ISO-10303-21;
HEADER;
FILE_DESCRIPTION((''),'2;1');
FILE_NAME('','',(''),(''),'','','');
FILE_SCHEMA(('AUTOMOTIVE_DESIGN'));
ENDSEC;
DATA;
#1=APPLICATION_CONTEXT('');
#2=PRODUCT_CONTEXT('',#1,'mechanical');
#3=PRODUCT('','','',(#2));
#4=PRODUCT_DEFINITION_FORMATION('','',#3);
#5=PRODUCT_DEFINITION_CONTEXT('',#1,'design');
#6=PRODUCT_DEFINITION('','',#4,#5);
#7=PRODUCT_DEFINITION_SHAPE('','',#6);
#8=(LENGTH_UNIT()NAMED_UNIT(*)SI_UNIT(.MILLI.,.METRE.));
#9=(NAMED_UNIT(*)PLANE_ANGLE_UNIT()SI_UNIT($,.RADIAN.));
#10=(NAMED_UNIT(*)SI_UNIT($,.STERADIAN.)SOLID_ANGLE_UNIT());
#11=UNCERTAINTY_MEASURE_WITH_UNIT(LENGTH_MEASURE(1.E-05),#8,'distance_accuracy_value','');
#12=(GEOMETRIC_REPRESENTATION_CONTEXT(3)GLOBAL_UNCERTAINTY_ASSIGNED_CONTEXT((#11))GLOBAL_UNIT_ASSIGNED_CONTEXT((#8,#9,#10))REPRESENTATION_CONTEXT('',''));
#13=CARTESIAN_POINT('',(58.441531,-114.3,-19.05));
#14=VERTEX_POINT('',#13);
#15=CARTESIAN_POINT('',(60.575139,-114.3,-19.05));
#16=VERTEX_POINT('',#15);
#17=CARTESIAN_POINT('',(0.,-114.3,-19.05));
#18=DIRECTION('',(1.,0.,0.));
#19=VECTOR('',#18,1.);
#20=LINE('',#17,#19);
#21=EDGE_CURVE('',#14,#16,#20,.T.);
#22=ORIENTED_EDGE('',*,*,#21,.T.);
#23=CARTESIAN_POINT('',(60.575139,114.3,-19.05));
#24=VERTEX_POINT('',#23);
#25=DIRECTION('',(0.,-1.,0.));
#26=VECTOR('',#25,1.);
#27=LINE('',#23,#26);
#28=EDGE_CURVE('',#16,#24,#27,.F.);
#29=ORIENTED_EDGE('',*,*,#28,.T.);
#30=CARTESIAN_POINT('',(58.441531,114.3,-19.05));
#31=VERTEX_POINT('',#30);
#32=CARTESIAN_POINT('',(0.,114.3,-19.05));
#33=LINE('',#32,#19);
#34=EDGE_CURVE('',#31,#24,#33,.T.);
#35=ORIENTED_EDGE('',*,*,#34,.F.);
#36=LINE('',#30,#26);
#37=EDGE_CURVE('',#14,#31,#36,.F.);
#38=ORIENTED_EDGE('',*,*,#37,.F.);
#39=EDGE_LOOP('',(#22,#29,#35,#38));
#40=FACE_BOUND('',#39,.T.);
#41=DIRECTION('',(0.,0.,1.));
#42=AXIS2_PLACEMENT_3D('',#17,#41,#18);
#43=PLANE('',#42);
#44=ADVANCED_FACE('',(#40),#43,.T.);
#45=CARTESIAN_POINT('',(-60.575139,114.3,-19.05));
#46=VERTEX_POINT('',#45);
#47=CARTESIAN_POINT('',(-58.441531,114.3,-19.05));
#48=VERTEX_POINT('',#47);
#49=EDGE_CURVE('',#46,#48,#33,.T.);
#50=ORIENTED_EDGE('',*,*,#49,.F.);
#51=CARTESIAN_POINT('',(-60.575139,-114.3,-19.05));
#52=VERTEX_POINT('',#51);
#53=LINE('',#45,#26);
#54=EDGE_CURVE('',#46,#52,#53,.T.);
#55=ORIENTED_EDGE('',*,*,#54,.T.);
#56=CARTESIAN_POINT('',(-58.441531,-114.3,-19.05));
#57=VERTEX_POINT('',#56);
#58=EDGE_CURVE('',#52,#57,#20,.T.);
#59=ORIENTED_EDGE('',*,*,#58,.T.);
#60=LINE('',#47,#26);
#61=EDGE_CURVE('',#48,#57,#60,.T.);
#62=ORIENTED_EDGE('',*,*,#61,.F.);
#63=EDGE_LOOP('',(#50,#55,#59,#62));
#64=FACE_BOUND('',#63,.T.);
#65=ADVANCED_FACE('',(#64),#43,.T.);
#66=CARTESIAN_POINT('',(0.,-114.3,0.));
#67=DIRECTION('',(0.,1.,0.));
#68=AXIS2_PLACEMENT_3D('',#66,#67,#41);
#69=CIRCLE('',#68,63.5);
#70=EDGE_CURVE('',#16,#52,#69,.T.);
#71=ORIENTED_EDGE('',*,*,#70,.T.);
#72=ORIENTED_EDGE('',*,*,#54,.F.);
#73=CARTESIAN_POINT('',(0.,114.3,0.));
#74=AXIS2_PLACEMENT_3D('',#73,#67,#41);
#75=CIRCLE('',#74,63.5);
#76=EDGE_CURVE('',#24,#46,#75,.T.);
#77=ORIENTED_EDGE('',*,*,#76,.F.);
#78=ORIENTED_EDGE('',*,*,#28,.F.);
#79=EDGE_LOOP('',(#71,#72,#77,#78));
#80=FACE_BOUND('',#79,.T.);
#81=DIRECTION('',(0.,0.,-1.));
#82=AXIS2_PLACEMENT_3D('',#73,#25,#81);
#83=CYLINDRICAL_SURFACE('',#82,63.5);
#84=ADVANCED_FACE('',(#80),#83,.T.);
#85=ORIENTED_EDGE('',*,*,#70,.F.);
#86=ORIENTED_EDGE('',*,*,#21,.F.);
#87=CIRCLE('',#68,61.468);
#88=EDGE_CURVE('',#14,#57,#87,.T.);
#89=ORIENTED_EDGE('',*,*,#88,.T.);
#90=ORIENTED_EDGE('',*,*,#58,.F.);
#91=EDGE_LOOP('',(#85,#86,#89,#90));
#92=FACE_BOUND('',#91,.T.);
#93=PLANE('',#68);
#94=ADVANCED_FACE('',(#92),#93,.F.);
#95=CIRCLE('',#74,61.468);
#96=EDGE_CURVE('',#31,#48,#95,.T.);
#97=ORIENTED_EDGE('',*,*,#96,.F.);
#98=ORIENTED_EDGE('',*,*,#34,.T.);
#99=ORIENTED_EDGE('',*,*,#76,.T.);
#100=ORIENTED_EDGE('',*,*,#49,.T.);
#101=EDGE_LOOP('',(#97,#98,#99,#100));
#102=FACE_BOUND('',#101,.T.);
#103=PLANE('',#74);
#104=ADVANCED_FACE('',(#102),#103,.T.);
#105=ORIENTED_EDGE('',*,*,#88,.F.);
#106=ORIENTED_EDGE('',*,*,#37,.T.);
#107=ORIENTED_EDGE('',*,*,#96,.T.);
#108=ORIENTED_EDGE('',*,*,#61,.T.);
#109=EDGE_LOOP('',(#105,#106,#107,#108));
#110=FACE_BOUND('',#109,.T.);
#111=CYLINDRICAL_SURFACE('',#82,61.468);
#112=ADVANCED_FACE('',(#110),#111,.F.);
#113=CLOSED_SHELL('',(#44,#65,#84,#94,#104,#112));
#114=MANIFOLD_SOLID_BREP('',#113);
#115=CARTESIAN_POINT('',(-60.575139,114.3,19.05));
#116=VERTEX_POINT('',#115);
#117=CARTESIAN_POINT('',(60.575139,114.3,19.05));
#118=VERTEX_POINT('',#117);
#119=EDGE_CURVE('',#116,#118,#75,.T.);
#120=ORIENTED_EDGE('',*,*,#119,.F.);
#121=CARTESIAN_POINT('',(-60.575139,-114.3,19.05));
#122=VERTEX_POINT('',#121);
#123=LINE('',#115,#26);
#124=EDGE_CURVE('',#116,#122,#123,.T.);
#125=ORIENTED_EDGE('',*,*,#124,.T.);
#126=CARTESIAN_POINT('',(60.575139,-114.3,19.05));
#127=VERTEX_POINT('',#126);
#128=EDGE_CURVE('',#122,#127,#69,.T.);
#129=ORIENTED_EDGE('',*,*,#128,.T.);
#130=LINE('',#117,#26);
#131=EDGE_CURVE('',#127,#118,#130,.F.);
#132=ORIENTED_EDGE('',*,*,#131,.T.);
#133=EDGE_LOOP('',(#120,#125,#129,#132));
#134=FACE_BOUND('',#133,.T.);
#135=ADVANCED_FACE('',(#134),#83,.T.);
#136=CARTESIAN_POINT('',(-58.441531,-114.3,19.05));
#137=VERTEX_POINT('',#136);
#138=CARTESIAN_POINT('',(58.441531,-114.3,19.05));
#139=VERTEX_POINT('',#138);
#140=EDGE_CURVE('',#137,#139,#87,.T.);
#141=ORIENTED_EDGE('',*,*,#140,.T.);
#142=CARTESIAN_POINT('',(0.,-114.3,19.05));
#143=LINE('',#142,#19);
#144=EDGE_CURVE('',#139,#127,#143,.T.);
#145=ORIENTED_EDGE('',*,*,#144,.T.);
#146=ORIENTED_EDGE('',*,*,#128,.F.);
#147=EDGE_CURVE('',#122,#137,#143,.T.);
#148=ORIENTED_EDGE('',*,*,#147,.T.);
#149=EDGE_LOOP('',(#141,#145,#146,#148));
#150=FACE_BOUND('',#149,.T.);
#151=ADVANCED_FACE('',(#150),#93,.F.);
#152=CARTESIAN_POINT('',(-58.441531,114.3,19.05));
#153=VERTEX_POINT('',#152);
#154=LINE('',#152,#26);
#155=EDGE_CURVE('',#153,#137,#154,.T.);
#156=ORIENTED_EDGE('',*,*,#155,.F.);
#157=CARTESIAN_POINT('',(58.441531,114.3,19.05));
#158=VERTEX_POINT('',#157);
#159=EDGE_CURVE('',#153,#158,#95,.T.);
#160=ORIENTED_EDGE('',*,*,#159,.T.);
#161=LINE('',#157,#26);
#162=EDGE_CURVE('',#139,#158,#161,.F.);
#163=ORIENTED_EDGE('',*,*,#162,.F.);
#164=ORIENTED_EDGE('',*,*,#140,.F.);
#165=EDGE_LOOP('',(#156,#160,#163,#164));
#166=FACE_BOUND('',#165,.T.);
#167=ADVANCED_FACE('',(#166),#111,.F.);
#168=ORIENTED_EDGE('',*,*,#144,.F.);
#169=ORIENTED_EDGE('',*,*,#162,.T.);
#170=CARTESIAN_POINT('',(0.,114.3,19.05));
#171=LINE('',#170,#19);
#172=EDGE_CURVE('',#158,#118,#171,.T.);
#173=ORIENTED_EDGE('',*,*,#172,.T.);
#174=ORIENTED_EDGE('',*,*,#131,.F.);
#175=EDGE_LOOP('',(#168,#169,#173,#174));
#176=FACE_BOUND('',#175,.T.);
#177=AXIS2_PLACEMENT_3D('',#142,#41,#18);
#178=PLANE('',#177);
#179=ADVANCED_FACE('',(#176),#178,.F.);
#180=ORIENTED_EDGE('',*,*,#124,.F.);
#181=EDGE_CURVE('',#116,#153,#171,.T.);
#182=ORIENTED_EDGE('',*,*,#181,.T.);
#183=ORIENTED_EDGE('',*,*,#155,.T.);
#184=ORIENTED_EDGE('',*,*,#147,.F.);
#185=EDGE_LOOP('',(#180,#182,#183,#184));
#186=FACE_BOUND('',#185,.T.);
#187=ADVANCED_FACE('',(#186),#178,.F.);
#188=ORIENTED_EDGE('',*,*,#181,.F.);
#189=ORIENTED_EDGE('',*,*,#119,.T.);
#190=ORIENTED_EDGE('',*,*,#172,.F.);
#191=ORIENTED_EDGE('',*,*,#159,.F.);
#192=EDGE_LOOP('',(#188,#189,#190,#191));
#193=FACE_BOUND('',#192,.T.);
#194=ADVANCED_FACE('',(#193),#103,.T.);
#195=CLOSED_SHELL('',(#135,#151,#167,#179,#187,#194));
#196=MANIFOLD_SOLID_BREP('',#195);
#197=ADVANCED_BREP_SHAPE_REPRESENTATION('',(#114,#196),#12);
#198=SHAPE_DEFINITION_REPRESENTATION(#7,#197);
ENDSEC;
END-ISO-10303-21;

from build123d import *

# Parameters (mm, degrees)
SKETCH4_R               = 63.5
SKETCH4_R_2             = 61.468
BOSS_EXTRUDE1_DEPTH     = 114.3
CUT_EXTRUDE2_DEPTH      = 115.3
CUT_EXTRUDE2_DEPTH_BACK = 115.3


with BuildPart() as part:
    # Sketch4 → Boss-Extrude1 (new body, symmetric)
    with BuildSketch(Plane(origin=(0, 0, 0), x_dir=(1, 0, 0), z_dir=(0, 1, 0))):
        Circle(SKETCH4_R)
        Circle(SKETCH4_R_2, mode=Mode.SUBTRACT)
    extrude(amount=BOSS_EXTRUDE1_DEPTH, both=True)

    # Sketch5 → Cut-Extrude2 (cut, two sides)
    with BuildSketch(Plane(origin=(0, 0, 0), x_dir=(1, 0, 0), z_dir=(0, 1, 0))) as cut_extrude2_sk:
        Polygon((76.2, 19.05), (-76.2, 19.05), (-76.2, 18.415), (-76.2, -18.415), (-76.2, -19.05), (76.2, -19.05), (76.2, -18.415), (76.2, 18.415), align=None)
    extrude(amount=CUT_EXTRUDE2_DEPTH, mode=Mode.SUBTRACT)
    extrude(cut_extrude2_sk.sketch, amount=-CUT_EXTRUDE2_DEPTH_BACK, mode=Mode.SUBTRACT)


solid = part.part
